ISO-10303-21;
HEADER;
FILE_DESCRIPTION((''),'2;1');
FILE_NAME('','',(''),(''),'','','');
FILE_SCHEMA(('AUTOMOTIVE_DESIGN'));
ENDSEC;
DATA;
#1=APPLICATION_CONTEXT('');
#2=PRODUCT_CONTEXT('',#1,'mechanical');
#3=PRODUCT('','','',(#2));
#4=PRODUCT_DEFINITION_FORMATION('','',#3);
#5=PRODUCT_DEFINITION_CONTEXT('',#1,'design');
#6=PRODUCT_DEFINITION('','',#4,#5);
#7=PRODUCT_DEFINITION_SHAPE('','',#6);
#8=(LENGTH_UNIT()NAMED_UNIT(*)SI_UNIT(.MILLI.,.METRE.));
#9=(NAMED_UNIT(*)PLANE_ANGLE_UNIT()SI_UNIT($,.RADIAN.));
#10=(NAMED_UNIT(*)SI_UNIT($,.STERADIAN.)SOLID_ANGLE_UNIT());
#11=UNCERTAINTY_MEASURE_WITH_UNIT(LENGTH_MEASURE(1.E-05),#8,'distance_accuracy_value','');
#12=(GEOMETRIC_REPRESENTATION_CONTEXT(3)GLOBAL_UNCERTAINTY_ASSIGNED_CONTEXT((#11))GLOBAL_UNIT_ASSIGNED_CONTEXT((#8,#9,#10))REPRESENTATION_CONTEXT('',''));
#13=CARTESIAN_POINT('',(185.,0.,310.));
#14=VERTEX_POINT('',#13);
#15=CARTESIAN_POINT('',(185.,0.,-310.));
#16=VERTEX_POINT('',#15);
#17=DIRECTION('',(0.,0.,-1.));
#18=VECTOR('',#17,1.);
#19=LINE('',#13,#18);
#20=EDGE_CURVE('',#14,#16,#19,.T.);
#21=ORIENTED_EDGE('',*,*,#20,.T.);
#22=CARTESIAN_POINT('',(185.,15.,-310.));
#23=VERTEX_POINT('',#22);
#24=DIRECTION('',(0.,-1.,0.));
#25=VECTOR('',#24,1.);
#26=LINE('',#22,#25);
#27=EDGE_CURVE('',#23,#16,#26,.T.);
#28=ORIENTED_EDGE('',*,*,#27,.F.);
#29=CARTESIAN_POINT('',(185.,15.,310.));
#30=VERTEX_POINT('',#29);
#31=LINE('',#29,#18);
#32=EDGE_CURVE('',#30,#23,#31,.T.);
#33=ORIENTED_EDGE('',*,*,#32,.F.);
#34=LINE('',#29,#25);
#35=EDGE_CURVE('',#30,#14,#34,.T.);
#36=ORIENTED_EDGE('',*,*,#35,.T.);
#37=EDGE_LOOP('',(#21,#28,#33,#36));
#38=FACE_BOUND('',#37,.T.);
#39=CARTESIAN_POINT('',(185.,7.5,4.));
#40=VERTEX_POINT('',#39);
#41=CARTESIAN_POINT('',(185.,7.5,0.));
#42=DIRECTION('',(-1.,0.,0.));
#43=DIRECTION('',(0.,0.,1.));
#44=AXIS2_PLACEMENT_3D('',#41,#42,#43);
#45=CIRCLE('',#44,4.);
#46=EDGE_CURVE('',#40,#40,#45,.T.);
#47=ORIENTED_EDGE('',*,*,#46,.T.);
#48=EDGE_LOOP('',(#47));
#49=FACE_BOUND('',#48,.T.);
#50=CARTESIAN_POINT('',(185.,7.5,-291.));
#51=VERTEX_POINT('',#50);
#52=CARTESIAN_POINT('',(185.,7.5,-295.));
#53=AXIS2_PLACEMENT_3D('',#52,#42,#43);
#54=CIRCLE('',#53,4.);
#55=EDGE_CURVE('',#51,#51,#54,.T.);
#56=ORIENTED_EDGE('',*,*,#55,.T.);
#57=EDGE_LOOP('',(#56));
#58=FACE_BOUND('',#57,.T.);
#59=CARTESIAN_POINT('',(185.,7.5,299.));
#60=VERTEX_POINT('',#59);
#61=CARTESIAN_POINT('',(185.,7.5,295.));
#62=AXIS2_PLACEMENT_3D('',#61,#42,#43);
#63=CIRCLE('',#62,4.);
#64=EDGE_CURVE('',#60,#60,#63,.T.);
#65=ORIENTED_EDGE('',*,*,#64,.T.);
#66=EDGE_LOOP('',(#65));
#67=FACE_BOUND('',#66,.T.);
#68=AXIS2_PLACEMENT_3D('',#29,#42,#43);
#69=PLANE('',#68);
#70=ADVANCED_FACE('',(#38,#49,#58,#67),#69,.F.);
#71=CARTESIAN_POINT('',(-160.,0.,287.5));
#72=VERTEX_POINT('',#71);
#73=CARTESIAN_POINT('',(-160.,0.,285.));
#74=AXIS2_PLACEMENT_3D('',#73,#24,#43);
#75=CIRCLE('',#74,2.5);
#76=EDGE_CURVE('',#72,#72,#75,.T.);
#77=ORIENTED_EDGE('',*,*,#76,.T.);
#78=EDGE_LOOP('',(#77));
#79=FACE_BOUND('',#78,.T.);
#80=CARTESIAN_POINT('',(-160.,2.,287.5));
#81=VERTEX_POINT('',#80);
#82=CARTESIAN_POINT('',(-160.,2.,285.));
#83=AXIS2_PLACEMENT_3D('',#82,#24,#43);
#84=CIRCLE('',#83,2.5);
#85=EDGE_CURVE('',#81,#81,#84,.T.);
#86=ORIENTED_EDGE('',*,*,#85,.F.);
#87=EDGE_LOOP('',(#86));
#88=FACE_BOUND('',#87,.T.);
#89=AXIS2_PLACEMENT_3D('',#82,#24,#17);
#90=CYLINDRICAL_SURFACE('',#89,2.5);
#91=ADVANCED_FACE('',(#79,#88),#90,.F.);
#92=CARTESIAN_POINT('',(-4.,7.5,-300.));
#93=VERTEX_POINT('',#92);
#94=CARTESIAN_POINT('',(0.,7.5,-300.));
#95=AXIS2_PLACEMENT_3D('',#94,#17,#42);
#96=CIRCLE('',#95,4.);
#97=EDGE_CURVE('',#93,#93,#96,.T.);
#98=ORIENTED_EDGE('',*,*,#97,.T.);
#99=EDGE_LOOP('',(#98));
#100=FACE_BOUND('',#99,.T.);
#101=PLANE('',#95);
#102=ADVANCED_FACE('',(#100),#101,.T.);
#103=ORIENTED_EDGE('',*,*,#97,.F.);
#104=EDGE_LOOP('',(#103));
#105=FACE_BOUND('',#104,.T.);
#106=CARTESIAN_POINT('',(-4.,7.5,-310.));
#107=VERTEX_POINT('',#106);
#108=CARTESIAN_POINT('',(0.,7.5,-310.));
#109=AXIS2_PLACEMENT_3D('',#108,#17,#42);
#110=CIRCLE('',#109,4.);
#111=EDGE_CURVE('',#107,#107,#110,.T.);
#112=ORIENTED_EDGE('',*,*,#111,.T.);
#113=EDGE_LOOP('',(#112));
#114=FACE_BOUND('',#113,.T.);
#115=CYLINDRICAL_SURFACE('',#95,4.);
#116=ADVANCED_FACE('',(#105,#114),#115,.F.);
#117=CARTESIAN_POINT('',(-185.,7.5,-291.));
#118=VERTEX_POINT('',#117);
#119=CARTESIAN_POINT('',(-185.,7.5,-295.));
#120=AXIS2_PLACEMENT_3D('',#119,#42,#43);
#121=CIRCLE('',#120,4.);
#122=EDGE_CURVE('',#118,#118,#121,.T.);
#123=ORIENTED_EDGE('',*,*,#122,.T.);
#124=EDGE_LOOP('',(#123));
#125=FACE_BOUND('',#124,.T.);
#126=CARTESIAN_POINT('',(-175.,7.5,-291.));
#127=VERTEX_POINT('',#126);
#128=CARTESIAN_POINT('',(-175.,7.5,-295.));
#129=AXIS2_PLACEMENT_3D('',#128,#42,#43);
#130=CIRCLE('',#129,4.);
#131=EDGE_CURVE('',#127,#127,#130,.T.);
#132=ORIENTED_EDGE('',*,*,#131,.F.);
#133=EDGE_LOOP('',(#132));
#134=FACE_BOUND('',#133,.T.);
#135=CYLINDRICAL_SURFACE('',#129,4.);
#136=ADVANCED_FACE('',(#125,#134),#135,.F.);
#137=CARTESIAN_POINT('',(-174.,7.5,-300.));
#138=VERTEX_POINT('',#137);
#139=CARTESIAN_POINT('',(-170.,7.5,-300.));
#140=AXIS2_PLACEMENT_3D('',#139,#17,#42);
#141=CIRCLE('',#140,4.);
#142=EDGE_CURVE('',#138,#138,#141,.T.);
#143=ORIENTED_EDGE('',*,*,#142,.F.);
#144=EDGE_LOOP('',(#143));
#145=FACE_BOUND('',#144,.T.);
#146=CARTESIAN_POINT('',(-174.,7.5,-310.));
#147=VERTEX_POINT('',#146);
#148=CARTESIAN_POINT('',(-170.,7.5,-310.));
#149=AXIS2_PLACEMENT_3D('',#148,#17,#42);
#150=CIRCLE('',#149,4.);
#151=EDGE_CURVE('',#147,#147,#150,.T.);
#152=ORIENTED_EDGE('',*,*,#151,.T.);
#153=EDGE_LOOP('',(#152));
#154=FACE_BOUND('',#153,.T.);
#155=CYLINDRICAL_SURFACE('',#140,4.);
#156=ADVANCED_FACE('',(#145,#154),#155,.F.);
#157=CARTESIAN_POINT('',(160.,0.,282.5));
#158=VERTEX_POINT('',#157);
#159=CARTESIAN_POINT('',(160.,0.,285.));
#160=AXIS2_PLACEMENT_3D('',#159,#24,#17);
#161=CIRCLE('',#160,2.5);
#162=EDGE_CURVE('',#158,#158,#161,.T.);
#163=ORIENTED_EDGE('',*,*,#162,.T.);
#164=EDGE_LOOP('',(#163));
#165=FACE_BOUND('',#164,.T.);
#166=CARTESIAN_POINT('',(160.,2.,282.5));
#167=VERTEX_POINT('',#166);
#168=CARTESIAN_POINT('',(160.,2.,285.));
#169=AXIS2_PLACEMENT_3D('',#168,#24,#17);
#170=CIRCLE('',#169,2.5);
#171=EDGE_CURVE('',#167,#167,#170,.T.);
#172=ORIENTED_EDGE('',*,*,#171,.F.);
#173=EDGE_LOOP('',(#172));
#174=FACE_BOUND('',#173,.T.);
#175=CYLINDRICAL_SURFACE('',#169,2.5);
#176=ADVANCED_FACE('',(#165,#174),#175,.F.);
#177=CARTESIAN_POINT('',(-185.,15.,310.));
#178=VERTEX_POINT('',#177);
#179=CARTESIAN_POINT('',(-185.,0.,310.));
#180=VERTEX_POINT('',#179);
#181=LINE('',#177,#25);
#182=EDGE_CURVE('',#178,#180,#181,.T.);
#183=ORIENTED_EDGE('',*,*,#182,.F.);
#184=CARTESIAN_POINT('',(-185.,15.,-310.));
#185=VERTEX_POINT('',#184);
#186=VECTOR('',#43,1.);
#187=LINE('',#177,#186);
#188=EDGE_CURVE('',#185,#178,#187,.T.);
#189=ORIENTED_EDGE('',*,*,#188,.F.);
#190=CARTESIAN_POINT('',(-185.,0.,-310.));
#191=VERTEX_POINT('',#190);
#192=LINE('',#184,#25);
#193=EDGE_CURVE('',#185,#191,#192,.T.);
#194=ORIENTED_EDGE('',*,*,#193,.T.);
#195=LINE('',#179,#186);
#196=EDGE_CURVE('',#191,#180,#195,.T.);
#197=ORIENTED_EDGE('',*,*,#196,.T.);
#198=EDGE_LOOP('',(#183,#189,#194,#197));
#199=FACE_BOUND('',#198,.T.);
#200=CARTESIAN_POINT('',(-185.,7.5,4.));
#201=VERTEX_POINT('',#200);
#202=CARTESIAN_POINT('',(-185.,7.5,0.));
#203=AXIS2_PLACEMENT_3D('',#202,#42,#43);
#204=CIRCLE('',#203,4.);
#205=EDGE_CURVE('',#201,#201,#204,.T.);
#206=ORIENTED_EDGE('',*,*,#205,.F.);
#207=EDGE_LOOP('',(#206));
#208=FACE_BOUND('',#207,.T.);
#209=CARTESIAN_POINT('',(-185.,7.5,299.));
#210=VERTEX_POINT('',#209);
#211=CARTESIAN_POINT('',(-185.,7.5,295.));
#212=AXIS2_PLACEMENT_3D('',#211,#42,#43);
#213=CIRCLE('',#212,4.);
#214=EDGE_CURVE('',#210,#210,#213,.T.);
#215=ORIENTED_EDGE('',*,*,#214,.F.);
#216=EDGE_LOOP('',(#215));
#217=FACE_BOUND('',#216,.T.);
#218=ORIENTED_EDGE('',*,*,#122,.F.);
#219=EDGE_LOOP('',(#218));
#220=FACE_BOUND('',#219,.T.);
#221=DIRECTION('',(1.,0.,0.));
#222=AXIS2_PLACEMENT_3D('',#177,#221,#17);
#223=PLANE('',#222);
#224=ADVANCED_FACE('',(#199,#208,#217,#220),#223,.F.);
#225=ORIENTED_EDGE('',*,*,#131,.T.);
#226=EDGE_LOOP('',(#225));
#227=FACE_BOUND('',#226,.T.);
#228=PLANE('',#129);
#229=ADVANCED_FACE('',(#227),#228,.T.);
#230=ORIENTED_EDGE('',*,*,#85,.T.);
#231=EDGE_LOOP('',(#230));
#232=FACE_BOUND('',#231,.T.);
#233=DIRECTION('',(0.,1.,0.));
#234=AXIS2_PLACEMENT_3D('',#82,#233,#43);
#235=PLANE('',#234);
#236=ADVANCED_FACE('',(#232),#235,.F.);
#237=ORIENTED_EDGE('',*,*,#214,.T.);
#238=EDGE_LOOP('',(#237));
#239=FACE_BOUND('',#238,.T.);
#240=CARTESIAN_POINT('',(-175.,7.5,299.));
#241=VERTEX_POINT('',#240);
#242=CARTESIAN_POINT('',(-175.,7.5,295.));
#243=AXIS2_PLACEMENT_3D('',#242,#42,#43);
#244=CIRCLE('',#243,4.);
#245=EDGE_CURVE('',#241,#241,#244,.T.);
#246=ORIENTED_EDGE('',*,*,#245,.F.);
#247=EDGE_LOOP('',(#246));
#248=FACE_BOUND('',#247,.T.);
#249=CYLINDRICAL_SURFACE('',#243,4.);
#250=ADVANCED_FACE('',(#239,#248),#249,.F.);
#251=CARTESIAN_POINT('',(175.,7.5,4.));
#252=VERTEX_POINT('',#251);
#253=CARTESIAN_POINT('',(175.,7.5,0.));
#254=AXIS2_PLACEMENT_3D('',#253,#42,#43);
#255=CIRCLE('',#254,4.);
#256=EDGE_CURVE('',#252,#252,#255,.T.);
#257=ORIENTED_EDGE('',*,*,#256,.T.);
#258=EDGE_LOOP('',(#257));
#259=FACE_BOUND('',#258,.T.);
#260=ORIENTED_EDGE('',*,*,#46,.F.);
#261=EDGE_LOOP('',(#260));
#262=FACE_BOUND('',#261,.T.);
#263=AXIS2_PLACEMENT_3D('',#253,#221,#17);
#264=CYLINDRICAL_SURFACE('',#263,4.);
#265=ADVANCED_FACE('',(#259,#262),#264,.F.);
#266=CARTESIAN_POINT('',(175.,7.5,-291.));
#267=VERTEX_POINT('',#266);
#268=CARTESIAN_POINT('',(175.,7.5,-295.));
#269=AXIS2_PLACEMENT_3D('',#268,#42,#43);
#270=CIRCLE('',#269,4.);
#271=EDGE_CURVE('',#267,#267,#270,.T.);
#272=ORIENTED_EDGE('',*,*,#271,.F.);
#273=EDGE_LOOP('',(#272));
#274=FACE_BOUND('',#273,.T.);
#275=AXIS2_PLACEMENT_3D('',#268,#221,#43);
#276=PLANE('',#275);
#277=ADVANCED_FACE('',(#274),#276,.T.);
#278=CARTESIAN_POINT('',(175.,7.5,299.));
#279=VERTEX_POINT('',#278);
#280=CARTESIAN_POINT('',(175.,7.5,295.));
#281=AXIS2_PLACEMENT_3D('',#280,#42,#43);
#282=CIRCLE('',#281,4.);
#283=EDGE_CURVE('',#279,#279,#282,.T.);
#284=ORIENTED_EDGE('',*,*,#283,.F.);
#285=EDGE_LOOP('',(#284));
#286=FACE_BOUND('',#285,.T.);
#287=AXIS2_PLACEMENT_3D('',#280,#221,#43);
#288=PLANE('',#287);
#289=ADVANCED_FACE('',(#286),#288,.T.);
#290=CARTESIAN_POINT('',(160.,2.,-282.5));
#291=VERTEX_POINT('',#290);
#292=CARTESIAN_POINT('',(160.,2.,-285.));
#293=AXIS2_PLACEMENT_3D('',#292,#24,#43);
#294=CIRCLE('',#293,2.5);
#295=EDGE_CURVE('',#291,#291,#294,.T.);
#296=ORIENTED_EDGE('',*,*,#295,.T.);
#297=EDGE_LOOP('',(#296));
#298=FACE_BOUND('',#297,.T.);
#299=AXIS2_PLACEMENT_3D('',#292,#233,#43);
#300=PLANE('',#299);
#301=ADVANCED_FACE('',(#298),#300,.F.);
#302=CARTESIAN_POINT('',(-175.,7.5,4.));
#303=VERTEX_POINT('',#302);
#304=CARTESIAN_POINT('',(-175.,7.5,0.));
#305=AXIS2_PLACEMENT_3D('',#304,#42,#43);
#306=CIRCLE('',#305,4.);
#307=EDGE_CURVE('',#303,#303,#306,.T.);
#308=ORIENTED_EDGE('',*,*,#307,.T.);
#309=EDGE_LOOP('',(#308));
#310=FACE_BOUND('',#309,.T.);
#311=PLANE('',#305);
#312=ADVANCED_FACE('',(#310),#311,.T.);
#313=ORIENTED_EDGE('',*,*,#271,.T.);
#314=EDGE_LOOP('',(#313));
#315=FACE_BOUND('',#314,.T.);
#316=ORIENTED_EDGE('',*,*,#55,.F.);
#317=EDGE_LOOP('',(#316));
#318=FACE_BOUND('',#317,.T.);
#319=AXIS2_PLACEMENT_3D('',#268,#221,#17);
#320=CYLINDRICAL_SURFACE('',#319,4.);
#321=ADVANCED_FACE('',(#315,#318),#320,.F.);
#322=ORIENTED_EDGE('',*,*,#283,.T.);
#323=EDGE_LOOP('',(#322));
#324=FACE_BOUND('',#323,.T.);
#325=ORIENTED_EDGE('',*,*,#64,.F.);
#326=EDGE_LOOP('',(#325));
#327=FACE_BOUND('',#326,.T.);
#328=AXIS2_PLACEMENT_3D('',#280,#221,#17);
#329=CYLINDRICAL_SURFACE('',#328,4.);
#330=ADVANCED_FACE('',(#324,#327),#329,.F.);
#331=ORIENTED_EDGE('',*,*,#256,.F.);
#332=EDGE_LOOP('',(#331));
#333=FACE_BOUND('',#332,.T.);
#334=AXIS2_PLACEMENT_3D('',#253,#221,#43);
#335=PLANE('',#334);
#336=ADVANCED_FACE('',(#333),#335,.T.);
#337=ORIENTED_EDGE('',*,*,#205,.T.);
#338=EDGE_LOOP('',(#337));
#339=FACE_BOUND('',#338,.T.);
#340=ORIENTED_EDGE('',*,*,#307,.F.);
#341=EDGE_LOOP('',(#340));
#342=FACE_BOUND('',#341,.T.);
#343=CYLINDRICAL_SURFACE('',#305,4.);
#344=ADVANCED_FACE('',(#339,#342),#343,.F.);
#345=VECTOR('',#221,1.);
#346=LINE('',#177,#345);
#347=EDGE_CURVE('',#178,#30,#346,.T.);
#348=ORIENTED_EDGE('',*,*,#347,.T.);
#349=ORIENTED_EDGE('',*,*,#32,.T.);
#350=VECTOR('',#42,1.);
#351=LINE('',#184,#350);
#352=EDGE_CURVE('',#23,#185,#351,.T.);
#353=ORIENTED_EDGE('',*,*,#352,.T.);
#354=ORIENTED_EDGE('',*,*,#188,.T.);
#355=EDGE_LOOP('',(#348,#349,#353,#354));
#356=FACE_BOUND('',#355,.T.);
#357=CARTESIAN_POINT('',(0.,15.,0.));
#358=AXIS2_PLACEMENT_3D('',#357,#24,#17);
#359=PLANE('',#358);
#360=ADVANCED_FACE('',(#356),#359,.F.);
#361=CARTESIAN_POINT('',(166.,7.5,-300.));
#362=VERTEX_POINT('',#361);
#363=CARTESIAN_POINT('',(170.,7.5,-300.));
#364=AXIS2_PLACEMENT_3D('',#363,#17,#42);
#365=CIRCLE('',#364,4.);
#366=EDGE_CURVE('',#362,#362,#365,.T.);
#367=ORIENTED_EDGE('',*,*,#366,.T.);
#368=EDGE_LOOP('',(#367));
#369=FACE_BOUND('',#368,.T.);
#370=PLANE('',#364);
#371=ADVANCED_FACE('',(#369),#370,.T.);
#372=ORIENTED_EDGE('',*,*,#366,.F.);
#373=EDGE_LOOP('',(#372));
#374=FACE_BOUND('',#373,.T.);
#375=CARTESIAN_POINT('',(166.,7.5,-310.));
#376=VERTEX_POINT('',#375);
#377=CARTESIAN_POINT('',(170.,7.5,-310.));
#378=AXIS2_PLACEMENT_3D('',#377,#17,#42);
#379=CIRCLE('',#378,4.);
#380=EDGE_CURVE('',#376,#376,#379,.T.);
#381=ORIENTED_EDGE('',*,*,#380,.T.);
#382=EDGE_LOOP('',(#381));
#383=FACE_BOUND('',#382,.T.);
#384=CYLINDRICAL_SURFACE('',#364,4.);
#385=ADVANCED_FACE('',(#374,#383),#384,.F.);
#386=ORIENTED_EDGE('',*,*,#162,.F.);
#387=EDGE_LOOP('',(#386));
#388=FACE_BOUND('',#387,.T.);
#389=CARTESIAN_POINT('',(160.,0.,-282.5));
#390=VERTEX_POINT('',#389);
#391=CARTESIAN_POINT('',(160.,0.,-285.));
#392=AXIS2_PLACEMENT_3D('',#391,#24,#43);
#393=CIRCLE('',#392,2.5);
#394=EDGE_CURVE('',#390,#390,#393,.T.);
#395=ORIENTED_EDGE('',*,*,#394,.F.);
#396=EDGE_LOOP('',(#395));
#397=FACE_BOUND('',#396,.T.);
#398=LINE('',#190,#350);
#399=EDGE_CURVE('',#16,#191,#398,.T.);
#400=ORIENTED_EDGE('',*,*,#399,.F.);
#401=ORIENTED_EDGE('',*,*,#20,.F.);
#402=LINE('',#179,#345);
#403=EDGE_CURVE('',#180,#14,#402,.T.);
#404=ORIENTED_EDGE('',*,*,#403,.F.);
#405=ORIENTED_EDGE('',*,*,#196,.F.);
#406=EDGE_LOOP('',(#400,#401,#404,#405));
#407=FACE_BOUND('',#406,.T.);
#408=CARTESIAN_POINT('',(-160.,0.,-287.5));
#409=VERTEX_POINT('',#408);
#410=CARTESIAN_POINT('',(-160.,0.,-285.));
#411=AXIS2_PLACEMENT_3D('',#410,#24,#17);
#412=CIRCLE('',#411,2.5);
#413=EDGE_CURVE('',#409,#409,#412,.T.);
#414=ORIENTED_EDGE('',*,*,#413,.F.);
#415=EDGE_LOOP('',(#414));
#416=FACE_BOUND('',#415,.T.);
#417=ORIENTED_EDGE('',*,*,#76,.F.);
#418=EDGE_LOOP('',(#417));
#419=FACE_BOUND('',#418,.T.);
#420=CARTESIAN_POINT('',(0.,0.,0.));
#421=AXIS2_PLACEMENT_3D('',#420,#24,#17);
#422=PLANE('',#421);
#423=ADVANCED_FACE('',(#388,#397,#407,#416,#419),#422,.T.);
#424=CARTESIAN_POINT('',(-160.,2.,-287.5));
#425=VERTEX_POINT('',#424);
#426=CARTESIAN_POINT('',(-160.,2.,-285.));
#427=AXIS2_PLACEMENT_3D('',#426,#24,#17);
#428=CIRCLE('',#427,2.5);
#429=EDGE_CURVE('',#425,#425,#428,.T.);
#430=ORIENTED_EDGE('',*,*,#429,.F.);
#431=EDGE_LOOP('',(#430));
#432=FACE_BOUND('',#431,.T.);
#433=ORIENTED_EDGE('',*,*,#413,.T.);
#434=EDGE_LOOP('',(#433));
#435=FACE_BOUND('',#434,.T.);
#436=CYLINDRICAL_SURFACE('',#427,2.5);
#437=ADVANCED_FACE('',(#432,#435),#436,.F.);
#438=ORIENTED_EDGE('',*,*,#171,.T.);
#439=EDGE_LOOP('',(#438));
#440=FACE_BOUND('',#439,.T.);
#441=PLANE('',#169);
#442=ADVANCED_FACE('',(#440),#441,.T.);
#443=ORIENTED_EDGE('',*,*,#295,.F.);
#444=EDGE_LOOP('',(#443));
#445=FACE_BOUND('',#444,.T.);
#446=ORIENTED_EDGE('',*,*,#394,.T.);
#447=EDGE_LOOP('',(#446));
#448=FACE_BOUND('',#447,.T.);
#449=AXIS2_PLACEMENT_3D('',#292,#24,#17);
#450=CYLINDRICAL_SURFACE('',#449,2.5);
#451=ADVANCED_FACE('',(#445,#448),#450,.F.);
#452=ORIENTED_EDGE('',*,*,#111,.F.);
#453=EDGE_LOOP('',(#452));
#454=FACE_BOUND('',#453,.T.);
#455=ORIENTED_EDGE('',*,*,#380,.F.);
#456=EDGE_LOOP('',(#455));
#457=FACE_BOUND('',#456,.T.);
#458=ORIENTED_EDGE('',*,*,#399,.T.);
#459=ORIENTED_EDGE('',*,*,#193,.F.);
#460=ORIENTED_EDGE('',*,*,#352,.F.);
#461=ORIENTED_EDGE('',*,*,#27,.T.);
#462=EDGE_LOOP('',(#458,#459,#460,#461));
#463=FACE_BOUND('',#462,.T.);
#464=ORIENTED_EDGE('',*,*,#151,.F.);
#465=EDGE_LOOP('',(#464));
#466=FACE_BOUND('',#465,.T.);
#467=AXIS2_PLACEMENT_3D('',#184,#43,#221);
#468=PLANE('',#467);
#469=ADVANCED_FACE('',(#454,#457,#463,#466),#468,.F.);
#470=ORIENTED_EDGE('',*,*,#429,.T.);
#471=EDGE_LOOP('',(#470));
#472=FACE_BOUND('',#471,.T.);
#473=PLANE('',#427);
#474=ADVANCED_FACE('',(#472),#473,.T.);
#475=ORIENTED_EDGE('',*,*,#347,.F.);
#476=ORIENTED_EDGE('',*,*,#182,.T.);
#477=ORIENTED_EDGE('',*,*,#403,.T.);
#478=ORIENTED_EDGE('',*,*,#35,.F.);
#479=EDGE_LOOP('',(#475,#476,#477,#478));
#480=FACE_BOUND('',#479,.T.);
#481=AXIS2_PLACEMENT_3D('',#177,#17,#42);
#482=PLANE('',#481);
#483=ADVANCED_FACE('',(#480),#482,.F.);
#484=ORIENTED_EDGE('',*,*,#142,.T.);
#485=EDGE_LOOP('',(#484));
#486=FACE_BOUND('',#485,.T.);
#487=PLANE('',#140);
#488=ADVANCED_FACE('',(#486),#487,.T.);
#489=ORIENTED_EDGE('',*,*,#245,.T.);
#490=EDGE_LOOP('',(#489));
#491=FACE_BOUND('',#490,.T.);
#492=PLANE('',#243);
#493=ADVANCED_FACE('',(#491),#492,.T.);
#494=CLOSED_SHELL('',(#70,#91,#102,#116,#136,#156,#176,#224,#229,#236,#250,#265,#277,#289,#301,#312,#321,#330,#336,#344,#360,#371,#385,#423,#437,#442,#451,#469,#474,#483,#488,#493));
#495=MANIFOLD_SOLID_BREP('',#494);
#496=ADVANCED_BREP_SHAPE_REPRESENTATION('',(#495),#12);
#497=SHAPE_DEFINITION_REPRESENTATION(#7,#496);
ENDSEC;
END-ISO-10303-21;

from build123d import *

# Parameters (mm, degrees)
SKETCH1_W               = 370
SKETCH1_H               = 620
BOSS_EXTRUDE1_DEPTH     = 15
SKETCH2_R               = 2.5
CUT_EXTRUDE1_DEPTH      = 2
SKETCH5_R               = 4
CUT_EXTRUDE2_DEPTH      = 10
LPATTERN1_COUNT         = 3
LPATTERN1_PITCH         = 295
MIRROR1_COPY_1_SKETCH_R = 4
MIRROR1_COPY_1_DEPTH    = 10
MIRROR1_COPY_2_SKETCH_R = 4
MIRROR1_COPY_2_DEPTH    = 10
SKETCH6_R               = 4
CUT_EXTRUDE4_DEPTH      = 10
LPATTERN2_COUNT         = 3
LPATTERN2_PITCH         = 170


with BuildPart() as part:
    # Sketch1 → Boss-Extrude1 (new body)
    with BuildSketch(Plane(origin=(0, 0, 0), x_dir=(1, 0, 0), z_dir=(0, 1, 0))):
        Rectangle(SKETCH1_W, SKETCH1_H)
    extrude(amount=BOSS_EXTRUDE1_DEPTH)

    # Sketch2 → Cut-Extrude1 (cut)
    with BuildSketch(Plane.XZ):
        with Locations((160, 285)):
            Circle(SKETCH2_R)
        with Locations((-160, 285)):
            Circle(SKETCH2_R)
        with Locations((-160, -285)):
            Circle(SKETCH2_R)
        with Locations((160, -285)):
            Circle(SKETCH2_R)
    extrude(amount=-CUT_EXTRUDE1_DEPTH, mode=Mode.SUBTRACT)

    # Sketch5 → Cut-Extrude2 (cut)
    with BuildSketch(Plane.ZY.offset(185)):
        with Locations((-295, 7.5)):
            Circle(SKETCH5_R)
    cut_extrude2 = extrude(amount=-CUT_EXTRUDE2_DEPTH, mode=Mode.SUBTRACT)

    # LPattern1: Cut-Extrude2 ×3
    with Locations(*[(0, 0, i * LPATTERN1_PITCH) for i in range(1, LPATTERN1_COUNT)]):
        add(cut_extrude2, mode=Mode.SUBTRACT)

    # Mirror1: Cut-Extrude2 across plane
    add(cut_extrude2.mirror(Plane(origin=(0, 0, 0), x_dir=(0, 0, 1), z_dir=(1, 0, 0))), mode=Mode.SUBTRACT)

    # Mirror1 copy 1 sketch → Mirror1 copy 1 (cut)
    with BuildSketch(Plane(origin=(185, 0, 295), x_dir=(0, 0, 1), z_dir=(1, 0, 0))):
        with Locations((-295, -7.5)):
            Circle(MIRROR1_COPY_1_SKETCH_R)
    extrude(amount=-MIRROR1_COPY_1_DEPTH, mode=Mode.SUBTRACT)

    # Mirror1 copy 2 sketch → Mirror1 copy 2 (cut)
    with BuildSketch(Plane(origin=(185, 0, 590), x_dir=(0, 0, 1), z_dir=(1, 0, 0))):
        with Locations((-295, -7.5)):
            Circle(MIRROR1_COPY_2_SKETCH_R)
    extrude(amount=-MIRROR1_COPY_2_DEPTH, mode=Mode.SUBTRACT)

    # Sketch6 → Cut-Extrude4 (cut)
    with BuildSketch(Plane(origin=(0, 0, -310), x_dir=(-1, 0, 0), z_dir=(0, 0, -1))):
        with Locations((-170, 7.5)):
            Circle(SKETCH6_R)
    cut_extrude4 = extrude(amount=-CUT_EXTRUDE4_DEPTH, mode=Mode.SUBTRACT)

    # LPattern2: Cut-Extrude4 ×3
    with Locations(*[(-i * LPATTERN2_PITCH, 0, 0) for i in range(1, LPATTERN2_COUNT)]):
        add(cut_extrude4, mode=Mode.SUBTRACT)


solid = part.part
